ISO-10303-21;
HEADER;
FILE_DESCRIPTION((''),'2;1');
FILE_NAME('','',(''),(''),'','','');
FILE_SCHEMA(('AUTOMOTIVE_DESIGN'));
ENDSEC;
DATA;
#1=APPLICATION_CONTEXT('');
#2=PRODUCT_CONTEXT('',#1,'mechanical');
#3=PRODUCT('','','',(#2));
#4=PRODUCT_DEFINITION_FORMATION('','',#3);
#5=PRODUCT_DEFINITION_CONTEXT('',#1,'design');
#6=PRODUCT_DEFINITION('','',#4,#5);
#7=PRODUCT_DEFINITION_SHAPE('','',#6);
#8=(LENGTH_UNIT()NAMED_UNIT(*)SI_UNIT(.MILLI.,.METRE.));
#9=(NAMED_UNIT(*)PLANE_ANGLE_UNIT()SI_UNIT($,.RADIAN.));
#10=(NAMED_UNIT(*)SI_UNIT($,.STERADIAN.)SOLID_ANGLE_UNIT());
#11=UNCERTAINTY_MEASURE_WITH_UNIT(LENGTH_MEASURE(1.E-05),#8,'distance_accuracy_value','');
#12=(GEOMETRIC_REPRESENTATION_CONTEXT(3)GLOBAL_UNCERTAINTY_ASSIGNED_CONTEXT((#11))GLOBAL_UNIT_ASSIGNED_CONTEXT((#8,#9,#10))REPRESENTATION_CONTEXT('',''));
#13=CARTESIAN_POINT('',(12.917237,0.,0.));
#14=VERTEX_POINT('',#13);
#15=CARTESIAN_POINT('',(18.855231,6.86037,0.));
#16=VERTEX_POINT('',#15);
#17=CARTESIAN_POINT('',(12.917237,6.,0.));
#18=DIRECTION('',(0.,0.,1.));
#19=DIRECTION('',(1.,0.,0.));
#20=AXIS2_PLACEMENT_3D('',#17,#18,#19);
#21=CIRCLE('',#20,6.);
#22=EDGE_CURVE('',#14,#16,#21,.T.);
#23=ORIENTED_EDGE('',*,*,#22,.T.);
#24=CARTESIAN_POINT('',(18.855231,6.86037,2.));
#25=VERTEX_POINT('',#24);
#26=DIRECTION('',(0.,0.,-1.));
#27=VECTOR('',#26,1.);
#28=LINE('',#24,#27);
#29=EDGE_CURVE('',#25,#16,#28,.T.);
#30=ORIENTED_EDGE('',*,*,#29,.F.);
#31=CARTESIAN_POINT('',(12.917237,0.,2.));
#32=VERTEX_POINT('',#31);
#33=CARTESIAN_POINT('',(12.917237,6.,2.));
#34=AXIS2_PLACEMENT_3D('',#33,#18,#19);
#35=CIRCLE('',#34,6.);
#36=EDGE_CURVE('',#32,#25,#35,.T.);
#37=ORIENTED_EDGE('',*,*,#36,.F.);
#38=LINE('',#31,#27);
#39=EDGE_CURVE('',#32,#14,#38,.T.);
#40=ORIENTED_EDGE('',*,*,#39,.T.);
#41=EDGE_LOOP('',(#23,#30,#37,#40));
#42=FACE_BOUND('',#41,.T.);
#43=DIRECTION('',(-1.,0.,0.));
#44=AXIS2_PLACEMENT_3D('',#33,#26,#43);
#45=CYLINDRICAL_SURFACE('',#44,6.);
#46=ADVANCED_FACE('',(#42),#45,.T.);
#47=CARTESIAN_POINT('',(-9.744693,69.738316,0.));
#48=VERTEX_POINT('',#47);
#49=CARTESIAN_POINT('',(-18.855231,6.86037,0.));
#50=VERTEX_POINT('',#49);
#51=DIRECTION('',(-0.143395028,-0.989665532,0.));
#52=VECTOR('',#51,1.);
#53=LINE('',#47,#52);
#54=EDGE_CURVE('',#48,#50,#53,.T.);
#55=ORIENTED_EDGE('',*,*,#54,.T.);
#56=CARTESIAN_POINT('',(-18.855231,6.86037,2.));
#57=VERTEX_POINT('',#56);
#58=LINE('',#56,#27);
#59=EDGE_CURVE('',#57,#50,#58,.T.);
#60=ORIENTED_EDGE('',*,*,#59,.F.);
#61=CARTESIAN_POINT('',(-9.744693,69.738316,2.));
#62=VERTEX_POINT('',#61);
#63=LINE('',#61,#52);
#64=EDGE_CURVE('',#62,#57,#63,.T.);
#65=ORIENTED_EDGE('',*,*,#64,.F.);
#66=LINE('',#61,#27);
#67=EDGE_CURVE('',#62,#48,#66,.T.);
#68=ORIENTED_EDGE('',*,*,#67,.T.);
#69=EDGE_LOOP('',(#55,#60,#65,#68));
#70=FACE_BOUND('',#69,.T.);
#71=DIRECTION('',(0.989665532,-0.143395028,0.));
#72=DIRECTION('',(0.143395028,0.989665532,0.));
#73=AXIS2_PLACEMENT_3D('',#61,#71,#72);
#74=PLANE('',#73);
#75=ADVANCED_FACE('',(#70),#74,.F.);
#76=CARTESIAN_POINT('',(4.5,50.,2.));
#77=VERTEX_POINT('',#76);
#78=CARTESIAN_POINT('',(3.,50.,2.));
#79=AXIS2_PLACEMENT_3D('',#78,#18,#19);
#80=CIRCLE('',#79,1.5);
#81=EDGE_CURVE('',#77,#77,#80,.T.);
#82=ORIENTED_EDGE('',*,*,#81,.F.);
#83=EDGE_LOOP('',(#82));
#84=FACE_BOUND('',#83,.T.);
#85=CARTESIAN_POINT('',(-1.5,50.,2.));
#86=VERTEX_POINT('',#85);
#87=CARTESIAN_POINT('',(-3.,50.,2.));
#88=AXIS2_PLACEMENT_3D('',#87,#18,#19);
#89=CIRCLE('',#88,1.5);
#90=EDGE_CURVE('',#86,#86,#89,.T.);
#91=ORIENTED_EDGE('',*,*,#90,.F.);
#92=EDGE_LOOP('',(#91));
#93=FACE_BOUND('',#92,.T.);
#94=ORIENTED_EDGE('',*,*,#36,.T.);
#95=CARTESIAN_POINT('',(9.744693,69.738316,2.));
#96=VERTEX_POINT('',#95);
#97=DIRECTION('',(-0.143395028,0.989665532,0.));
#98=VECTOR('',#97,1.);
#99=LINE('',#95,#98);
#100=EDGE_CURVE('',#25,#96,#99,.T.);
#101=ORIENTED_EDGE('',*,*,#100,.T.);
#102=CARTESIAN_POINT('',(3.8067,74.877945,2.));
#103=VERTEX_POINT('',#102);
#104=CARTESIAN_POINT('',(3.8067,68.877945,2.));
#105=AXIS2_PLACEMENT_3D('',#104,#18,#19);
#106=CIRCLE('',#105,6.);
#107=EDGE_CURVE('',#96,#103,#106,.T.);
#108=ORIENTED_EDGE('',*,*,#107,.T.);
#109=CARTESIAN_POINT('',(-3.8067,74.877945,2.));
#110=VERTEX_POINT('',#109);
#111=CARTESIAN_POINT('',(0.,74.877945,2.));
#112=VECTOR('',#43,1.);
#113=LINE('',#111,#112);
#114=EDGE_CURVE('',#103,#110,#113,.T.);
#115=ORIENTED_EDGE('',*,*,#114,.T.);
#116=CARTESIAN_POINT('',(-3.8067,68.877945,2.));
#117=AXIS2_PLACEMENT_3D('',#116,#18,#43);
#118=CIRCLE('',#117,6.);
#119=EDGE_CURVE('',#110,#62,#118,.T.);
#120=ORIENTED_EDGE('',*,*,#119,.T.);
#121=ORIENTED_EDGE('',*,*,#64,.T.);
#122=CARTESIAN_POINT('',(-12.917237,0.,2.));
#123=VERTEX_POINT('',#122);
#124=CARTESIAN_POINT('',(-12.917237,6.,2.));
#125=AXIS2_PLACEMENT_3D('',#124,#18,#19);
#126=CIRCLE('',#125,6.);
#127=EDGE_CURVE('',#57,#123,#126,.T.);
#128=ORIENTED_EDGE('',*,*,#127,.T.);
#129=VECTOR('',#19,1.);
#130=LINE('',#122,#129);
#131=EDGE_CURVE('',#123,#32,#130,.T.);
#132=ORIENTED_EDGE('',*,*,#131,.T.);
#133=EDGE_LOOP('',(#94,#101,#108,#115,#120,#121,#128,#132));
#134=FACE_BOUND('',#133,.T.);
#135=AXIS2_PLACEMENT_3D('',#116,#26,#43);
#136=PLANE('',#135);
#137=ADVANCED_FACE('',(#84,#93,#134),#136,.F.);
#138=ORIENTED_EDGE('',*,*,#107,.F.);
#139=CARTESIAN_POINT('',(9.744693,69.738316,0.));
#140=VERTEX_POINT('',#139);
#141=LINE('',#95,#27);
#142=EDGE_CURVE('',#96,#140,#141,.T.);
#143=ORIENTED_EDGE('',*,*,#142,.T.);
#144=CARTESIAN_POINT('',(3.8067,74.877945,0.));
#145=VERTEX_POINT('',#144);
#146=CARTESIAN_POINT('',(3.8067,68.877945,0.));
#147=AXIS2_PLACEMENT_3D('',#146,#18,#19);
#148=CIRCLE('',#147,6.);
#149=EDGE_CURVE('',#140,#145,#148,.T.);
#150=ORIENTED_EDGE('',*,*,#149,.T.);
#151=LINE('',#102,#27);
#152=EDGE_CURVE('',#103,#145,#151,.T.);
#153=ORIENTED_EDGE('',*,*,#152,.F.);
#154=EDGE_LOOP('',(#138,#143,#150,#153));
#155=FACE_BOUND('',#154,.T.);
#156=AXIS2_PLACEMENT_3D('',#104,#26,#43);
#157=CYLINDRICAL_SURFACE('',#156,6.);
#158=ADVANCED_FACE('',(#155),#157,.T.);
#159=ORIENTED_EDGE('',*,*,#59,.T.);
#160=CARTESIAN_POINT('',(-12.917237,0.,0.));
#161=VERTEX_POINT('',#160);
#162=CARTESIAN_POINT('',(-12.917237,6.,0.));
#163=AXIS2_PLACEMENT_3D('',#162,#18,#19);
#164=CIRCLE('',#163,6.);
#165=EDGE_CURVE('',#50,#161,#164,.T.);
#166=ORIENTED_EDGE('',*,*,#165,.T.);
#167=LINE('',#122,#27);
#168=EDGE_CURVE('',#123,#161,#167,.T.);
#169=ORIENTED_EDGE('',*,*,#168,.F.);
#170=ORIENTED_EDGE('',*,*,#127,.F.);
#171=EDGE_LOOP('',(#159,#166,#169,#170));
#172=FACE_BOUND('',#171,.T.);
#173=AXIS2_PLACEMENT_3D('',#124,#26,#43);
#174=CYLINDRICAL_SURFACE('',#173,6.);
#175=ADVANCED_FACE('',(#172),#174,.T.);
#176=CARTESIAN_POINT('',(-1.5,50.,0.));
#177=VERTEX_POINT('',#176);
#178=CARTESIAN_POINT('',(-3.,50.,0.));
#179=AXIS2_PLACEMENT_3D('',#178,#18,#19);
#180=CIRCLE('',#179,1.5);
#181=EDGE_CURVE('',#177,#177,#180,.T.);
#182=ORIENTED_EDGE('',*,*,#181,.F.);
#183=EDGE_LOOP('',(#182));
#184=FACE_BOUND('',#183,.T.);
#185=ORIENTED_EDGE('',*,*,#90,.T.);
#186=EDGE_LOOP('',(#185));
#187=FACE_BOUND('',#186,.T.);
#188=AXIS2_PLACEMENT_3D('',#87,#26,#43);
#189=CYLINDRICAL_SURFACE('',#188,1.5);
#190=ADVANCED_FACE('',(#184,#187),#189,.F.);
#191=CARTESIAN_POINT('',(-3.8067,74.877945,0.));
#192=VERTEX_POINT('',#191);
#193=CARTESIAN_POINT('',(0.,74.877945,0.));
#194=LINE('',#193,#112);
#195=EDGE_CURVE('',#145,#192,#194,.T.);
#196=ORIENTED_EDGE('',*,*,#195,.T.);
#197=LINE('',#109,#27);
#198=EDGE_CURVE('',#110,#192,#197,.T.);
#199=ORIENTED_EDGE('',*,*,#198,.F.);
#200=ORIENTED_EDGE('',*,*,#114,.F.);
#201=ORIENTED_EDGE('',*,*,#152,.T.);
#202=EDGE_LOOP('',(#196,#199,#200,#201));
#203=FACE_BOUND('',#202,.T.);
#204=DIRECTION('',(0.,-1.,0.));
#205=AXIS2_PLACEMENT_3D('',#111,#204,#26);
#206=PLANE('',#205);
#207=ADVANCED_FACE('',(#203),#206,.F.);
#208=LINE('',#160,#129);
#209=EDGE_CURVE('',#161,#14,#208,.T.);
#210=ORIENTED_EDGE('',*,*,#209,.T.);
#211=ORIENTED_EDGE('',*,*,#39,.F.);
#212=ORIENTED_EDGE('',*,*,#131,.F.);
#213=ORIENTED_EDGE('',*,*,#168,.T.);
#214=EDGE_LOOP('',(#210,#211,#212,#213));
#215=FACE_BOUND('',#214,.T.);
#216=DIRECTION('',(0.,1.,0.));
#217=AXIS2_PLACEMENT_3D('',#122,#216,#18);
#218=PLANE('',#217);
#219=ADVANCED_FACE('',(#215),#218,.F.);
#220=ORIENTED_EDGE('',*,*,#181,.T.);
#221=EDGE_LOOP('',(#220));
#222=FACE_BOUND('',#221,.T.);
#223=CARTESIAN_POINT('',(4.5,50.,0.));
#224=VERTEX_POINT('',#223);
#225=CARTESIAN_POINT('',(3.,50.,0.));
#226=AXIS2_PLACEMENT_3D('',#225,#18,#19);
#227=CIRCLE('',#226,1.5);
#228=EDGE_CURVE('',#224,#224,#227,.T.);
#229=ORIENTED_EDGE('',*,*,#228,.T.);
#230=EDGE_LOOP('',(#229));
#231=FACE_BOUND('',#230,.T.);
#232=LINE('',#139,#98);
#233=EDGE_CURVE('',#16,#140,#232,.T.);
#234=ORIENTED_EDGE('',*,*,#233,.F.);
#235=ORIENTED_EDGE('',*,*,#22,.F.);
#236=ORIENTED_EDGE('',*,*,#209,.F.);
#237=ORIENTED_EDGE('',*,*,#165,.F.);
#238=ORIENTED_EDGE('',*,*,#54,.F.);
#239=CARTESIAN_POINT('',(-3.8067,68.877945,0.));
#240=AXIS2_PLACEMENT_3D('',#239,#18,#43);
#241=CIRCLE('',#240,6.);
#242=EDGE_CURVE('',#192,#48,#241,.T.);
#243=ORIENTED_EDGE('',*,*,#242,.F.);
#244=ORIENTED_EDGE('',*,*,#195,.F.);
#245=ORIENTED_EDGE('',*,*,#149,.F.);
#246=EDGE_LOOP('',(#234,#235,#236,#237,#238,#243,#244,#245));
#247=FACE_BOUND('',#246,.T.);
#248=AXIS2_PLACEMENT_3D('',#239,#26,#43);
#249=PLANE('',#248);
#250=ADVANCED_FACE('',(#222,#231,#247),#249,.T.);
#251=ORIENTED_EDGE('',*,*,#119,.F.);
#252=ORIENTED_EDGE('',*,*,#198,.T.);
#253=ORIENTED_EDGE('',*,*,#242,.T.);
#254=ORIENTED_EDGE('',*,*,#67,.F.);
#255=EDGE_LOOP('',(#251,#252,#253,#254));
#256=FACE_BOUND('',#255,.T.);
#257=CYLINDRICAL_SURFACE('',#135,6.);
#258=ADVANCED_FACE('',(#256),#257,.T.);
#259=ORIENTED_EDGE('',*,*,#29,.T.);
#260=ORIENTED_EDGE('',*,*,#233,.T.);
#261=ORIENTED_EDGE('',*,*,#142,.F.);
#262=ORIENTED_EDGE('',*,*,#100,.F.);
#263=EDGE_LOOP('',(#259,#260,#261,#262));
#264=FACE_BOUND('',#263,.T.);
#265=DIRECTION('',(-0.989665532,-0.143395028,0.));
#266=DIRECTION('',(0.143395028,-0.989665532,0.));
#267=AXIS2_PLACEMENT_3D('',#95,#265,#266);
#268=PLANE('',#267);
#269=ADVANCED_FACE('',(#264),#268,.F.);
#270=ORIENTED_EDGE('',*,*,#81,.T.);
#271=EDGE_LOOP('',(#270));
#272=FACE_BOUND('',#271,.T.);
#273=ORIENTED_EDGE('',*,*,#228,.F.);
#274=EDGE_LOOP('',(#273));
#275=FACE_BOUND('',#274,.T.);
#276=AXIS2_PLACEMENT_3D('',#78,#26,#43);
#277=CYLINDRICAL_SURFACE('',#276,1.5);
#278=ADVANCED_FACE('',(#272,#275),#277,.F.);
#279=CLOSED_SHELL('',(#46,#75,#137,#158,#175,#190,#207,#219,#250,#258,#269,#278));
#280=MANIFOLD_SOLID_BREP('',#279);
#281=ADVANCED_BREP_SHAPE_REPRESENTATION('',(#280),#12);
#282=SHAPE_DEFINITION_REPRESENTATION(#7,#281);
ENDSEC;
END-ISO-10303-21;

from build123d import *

# Parameters (mm, degrees)
SKETCH_1_R      = 1.5
EXTRUDE_1_DEPTH = 2


with BuildPart() as part:
    # 草图1 → 凸台-拉伸1 (new body)
    with BuildSketch(Plane.XY):
        with BuildLine():
            Line((-12.91723747, 0), (12.91723747, 0))
            ThreePointArc((12.91723747, 0), (17.453878353, 2.073310619), (18.855230664, 6.860370167))
            Line((18.855230664, 6.860370167), (9.744693373, 69.738315612))
            ThreePointArc((9.744693373, 69.738315612), (7.73338956, 73.414586328), (3.806700178, 74.877945445))
            Line((3.806700178, 74.877945445), (0, 74.877945445))
            Line((0, 74.877945445), (-3.806700178, 74.877945445))
            ThreePointArc((-3.806700178, 74.877945445), (-7.73338956, 73.414586328), (-9.744693373, 69.738315612))
            Line((-9.744693373, 69.738315612), (-18.855230664, 6.860370167))
            ThreePointArc((-18.855230664, 6.860370167), (-17.453878353, 2.073310619), (-12.91723747, 0))
        make_face()
        with Locations((-3, 50)):
            Circle(SKETCH_1_R, mode=Mode.SUBTRACT)
        with Locations((3, 50)):
            Circle(SKETCH_1_R, mode=Mode.SUBTRACT)
    extrude(amount=EXTRUDE_1_DEPTH)


solid = part.part
